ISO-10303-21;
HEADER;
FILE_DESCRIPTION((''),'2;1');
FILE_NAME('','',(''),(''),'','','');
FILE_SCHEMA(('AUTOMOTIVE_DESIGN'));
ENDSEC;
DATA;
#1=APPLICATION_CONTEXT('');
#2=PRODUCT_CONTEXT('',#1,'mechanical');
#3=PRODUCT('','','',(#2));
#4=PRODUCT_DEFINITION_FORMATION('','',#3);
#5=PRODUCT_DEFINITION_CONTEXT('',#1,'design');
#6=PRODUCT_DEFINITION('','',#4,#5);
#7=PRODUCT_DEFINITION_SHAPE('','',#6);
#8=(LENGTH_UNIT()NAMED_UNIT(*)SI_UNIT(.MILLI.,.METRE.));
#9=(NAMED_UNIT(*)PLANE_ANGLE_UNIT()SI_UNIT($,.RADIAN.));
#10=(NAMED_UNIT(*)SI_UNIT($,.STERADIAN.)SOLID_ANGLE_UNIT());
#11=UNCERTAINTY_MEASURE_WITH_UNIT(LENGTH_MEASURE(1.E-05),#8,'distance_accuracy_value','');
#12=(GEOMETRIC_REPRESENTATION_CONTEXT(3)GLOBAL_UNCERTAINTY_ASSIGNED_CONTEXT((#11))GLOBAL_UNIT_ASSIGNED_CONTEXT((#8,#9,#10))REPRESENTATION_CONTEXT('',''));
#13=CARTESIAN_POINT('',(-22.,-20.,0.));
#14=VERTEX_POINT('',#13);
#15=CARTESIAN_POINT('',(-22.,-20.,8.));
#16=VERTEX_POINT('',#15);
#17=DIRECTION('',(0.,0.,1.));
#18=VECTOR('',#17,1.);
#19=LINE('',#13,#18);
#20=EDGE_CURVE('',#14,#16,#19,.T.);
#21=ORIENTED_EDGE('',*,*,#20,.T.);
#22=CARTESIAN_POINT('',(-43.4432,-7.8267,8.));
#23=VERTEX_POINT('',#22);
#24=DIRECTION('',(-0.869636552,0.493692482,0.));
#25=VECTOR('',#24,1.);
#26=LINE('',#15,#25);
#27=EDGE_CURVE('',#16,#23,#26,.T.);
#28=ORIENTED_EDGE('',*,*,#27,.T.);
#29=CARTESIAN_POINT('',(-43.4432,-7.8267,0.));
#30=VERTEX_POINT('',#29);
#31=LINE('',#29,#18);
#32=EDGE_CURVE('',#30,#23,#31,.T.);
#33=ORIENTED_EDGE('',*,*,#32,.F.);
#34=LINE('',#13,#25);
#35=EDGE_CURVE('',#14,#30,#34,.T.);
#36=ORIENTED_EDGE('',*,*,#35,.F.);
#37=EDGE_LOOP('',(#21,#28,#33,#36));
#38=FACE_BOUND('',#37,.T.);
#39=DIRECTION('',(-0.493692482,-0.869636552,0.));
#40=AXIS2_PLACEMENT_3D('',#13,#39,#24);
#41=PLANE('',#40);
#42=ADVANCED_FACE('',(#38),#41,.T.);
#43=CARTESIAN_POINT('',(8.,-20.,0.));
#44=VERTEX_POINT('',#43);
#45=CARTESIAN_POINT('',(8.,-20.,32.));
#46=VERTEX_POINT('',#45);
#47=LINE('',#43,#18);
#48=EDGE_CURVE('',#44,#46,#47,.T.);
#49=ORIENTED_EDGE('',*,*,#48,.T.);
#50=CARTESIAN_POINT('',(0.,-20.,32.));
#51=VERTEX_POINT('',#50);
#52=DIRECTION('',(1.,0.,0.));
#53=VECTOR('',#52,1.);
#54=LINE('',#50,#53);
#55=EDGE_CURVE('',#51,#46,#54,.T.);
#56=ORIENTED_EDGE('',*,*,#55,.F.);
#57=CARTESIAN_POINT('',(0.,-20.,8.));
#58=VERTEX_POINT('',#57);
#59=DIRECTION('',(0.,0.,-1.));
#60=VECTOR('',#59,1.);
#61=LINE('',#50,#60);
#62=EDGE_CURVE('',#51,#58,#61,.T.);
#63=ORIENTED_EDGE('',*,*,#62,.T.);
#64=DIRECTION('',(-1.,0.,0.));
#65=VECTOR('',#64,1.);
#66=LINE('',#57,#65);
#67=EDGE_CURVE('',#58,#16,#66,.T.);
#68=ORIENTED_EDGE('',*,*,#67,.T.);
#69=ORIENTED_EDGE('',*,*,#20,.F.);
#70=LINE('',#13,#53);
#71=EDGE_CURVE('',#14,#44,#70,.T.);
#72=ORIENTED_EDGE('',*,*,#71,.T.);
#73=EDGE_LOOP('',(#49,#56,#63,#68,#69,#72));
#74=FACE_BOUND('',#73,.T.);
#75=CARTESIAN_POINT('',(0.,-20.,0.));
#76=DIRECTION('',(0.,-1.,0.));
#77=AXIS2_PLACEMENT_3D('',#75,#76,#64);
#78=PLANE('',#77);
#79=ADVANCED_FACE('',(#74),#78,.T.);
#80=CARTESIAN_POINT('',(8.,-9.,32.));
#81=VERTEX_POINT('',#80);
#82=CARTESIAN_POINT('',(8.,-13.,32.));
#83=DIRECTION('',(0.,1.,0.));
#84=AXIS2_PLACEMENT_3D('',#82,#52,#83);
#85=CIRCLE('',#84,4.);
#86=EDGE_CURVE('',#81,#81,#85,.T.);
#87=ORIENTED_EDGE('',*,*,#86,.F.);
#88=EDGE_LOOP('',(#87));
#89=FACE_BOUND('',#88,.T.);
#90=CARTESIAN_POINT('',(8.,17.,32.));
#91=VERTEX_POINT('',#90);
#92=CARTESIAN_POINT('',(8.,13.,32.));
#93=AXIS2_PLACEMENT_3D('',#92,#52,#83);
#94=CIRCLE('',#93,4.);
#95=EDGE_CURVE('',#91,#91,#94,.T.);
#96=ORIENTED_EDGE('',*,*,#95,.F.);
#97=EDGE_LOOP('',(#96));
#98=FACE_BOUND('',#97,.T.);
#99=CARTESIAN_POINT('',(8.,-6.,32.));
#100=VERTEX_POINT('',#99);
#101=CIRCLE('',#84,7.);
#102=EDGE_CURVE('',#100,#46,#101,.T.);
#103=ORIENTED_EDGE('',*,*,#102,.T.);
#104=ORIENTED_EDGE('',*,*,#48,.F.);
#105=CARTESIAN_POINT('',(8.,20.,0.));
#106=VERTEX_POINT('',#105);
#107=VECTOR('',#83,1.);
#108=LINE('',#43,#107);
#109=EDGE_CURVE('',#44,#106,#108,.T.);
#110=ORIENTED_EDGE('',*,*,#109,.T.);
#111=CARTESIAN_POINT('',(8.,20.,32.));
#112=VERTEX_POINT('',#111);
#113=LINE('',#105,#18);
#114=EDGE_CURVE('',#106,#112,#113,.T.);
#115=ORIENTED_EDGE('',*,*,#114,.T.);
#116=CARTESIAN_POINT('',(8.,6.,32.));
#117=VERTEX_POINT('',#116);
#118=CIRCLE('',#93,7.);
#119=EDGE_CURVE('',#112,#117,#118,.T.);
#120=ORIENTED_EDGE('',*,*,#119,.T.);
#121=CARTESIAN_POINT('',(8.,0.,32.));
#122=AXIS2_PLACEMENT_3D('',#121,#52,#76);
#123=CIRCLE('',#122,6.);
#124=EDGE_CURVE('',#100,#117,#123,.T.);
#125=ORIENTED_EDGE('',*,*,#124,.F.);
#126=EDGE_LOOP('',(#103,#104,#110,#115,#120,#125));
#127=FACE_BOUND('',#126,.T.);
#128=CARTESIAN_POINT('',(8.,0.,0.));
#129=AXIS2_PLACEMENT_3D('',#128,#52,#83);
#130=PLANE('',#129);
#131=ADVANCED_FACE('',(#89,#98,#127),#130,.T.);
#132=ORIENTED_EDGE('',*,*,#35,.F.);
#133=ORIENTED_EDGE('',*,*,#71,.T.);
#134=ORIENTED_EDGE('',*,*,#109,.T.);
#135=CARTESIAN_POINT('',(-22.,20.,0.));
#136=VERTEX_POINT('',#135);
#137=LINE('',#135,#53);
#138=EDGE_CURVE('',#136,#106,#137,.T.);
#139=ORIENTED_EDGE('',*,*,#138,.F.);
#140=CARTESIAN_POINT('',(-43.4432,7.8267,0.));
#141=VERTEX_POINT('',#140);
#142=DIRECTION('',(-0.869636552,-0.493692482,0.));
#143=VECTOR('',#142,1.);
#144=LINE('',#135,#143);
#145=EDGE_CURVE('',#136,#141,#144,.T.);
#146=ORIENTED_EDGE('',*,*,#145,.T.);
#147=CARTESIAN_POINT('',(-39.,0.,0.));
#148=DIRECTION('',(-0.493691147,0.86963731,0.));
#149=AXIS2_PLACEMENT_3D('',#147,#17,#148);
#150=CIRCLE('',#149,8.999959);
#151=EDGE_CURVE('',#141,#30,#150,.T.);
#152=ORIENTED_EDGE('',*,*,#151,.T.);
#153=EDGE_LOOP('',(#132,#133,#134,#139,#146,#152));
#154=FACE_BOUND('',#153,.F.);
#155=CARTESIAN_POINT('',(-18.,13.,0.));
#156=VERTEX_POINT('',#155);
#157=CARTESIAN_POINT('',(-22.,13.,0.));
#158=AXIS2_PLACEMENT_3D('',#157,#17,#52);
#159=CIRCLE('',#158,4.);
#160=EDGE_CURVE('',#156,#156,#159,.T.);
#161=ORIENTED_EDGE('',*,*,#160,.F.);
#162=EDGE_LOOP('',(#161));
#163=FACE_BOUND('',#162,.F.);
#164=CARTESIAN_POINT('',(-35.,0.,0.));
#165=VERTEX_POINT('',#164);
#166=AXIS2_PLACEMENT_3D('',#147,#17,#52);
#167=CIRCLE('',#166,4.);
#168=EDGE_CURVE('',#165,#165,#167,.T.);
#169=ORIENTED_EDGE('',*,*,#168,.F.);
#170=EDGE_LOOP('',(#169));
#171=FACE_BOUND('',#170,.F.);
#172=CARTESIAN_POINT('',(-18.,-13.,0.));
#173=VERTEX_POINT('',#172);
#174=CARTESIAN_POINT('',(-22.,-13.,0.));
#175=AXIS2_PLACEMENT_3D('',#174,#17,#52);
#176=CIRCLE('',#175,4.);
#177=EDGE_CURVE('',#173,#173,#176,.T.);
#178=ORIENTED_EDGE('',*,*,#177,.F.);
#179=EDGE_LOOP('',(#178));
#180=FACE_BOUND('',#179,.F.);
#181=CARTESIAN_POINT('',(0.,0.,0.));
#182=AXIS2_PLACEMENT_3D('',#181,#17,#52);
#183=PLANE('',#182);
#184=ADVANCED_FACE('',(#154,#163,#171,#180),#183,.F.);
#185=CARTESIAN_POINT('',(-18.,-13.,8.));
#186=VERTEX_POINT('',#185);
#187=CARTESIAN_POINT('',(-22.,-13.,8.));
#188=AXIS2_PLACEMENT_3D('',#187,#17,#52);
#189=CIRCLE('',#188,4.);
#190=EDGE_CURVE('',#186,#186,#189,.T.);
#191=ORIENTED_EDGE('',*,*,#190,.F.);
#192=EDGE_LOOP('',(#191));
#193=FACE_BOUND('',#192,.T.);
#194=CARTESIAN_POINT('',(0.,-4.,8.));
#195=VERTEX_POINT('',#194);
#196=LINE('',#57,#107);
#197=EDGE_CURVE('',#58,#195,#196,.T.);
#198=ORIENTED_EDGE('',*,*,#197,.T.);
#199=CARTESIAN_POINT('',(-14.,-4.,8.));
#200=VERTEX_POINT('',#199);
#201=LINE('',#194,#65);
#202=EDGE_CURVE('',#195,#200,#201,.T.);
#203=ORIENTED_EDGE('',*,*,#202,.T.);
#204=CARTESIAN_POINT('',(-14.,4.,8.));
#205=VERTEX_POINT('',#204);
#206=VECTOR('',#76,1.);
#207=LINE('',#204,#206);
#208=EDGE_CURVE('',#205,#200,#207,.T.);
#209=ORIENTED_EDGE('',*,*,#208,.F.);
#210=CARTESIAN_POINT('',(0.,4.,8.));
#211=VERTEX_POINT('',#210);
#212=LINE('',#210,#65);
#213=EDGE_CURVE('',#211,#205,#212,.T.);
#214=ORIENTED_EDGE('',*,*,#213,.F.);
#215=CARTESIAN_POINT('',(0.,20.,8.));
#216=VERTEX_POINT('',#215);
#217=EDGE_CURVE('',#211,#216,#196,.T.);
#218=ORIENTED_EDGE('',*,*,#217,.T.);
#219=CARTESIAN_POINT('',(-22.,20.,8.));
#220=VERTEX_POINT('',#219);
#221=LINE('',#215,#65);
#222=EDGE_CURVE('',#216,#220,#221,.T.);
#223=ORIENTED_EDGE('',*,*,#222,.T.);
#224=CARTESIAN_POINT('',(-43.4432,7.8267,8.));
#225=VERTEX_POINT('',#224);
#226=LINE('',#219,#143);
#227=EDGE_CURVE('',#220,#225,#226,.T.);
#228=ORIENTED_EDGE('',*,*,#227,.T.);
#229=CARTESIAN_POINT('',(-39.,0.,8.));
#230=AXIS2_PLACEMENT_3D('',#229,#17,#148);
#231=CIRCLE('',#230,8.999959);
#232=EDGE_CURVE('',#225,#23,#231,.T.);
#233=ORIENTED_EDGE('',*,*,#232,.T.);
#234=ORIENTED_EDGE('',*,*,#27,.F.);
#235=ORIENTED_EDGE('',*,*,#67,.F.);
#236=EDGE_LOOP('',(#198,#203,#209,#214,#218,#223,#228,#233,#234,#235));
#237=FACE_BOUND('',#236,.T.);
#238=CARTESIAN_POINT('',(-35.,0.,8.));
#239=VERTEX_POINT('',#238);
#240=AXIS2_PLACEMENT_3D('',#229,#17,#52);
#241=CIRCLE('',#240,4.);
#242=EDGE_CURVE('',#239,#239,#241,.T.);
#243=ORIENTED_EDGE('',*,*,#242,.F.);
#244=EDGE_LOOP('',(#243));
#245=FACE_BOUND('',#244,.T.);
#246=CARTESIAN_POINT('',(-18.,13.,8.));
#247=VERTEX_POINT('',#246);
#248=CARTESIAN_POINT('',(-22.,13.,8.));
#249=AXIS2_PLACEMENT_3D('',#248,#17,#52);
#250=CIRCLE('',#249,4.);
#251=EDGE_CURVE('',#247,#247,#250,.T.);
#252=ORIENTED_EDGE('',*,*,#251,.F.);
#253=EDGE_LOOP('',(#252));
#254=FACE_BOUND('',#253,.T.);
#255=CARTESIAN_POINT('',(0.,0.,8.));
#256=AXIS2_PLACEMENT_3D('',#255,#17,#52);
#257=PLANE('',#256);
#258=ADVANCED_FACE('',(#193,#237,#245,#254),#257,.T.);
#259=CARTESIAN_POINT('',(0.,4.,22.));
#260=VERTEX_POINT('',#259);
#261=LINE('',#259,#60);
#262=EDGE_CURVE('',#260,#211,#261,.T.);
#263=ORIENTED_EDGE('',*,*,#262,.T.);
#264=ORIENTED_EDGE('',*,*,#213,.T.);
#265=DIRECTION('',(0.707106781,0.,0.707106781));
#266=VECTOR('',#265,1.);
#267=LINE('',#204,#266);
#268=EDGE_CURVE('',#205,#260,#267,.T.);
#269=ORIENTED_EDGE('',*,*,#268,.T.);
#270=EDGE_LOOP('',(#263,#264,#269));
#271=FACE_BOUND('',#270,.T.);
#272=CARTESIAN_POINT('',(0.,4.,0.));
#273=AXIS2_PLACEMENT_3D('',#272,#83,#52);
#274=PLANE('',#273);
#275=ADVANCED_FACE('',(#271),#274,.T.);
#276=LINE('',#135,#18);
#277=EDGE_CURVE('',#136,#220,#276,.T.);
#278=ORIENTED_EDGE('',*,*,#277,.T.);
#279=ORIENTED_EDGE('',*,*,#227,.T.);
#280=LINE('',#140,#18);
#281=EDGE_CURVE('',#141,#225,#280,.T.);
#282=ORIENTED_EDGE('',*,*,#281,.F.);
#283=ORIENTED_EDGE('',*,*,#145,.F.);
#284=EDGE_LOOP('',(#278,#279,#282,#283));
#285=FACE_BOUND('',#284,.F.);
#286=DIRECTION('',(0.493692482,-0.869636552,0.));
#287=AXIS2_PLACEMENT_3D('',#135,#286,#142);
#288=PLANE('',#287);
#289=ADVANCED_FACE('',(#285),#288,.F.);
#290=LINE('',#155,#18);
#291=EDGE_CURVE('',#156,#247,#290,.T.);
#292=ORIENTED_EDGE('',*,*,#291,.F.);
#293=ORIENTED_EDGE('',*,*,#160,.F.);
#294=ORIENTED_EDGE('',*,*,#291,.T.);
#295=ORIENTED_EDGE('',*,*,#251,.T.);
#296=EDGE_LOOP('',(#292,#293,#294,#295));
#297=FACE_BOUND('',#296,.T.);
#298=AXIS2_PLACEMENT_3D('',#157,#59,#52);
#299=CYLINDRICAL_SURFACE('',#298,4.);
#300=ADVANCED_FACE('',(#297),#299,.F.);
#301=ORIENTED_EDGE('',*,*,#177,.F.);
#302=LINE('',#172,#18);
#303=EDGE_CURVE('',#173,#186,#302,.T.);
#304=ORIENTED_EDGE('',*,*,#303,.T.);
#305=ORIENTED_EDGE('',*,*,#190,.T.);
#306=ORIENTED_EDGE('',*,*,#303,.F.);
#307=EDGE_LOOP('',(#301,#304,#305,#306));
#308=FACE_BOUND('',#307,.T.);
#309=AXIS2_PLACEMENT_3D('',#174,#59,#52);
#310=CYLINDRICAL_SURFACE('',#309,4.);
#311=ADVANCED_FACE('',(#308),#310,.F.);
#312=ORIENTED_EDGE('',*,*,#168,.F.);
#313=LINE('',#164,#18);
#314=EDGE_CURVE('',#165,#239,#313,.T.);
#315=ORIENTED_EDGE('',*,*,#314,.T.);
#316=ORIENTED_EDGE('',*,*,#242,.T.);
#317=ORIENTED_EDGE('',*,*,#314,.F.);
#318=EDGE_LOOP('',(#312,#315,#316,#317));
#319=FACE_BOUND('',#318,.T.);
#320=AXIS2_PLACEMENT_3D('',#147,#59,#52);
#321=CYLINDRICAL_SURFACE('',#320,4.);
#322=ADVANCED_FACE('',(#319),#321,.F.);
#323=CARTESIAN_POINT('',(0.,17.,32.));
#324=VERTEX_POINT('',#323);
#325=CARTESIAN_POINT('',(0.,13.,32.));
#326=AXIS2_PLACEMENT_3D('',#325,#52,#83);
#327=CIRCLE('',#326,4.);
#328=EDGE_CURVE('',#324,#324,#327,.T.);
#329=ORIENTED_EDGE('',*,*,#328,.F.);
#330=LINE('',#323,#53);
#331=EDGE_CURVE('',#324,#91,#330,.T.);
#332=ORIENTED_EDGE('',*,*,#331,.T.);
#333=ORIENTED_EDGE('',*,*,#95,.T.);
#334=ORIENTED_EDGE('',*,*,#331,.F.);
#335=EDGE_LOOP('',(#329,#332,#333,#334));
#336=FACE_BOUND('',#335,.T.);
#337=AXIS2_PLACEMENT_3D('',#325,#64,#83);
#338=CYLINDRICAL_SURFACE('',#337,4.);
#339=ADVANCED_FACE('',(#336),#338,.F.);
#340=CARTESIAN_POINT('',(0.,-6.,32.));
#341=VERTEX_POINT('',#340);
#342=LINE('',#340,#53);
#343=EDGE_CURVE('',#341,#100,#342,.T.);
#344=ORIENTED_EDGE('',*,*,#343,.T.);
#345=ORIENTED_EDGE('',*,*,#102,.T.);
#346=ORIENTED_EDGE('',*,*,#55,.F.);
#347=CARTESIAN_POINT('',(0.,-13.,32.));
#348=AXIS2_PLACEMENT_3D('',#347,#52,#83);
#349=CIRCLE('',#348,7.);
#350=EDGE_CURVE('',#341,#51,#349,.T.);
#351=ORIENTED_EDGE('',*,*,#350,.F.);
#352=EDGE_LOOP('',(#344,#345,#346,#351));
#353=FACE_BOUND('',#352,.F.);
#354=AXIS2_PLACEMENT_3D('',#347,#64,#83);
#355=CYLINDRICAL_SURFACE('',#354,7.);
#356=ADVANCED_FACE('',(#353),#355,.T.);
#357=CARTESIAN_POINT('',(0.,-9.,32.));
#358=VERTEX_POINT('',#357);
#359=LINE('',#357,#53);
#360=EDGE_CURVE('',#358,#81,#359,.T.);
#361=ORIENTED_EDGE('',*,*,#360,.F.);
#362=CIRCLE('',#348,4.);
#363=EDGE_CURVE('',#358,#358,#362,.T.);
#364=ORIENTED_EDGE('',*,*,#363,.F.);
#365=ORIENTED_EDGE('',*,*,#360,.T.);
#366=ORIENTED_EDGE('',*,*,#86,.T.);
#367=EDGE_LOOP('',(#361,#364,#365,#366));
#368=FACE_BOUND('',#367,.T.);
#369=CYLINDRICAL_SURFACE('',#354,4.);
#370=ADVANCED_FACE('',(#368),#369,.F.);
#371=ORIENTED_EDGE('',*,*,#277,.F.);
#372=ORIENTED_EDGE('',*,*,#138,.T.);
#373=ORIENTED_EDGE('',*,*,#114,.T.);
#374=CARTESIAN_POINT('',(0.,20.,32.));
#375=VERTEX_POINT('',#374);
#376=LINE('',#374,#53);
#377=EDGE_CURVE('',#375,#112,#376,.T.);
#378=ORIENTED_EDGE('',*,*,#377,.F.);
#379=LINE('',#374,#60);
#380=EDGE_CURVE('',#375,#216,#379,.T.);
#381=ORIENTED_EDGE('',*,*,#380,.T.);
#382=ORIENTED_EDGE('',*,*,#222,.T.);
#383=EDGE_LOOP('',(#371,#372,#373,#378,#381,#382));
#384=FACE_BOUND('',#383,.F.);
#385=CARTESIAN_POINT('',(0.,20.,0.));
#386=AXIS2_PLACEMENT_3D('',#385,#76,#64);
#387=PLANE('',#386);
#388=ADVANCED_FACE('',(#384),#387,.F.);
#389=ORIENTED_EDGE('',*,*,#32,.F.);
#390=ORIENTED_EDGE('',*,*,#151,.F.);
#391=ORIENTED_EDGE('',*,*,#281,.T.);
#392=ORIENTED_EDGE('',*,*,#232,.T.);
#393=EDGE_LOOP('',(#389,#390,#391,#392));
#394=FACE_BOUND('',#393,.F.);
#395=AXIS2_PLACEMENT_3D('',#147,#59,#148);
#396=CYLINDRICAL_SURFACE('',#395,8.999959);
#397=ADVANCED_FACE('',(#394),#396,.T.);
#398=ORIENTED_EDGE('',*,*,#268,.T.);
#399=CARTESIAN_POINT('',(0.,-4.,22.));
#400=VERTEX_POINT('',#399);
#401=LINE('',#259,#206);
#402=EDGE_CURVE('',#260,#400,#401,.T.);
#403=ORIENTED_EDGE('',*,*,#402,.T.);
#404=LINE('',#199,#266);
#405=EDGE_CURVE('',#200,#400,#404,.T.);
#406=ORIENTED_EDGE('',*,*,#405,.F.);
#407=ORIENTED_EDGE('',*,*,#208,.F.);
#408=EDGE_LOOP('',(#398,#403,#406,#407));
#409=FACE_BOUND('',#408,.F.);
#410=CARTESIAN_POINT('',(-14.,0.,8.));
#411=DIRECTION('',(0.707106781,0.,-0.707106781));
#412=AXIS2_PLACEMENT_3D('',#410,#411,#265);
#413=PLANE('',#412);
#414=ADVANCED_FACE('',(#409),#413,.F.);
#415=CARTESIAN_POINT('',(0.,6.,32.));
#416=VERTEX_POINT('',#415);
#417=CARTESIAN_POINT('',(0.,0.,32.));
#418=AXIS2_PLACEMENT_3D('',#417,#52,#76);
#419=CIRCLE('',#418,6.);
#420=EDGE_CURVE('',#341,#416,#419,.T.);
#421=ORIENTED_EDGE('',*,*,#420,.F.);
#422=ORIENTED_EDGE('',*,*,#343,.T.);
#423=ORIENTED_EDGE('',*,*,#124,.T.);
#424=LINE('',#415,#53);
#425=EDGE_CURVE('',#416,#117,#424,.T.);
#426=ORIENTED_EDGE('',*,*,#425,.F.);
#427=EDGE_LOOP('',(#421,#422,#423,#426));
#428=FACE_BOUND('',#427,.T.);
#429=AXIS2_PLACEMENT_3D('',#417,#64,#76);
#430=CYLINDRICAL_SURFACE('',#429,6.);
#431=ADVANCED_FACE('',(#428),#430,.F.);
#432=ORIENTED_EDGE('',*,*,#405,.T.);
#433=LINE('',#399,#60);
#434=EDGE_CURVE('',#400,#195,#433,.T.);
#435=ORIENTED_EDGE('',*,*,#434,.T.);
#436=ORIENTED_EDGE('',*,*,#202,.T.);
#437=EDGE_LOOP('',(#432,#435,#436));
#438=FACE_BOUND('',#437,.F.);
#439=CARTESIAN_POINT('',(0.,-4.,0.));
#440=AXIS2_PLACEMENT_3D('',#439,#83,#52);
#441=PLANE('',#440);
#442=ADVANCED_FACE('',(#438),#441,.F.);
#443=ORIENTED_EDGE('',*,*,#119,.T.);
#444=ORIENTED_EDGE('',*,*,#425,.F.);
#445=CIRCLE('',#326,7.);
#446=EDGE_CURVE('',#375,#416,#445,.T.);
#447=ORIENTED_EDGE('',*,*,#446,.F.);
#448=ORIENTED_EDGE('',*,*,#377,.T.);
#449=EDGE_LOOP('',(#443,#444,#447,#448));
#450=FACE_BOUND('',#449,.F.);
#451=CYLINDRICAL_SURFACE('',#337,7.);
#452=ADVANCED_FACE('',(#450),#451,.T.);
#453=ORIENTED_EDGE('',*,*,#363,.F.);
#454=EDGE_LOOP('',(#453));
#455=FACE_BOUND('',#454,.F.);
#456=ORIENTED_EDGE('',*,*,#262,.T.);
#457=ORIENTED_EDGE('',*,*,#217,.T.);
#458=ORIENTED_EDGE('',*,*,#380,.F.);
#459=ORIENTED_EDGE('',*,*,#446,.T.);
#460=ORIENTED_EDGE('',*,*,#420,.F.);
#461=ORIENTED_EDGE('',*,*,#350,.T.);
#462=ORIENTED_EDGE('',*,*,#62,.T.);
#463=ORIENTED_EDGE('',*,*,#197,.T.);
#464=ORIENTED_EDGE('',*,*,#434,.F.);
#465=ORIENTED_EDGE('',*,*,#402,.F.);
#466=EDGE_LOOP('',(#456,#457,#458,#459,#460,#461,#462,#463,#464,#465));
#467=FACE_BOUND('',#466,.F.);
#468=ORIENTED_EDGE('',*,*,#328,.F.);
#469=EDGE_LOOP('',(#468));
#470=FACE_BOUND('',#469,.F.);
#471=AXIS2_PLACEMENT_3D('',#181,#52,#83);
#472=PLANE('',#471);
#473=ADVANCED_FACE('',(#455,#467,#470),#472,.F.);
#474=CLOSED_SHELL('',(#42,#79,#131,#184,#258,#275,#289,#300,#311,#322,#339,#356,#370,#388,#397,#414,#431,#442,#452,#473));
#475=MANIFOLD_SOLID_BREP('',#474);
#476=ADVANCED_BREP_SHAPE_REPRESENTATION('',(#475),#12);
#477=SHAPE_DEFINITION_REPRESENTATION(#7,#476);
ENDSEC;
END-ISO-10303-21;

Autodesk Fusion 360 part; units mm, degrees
sketch "草图1" plane through (0, 0, 0) normal (0, 0, 1) x (1, 0, 0)
  line L0 (0, -40) -> (0, 55) construction
  line L1 (-75, 0) -> (190, 0) construction
  line L2 (0, -35) -> (0, -32.2208) construction
  line L3 (0, -20) -> (0, 20)
  line L4 (0, 20) -> (-22, 20)
  line L5 (-22, 20) -> (-43.4432, 7.8267)
  line L6 (0, -20) -> (-22, -20)
  line L7 (-22, -20) -> (-43.4432, -7.8267)
  arc A0 (-43.4432, 7.8267) -> (-43.4432, -7.8267) centre (-39, 0) ccw
  circle A1 centre (-39, 0) radius 4
  circle A2 centre (-22, 13) radius 4
  circle A3 centre (-22, -13) radius 4
  dimension "d1" = 40
  dimension "d2" = 22
  dimension "d3" = 39
  dimension "d4" = 9
  dimension "d5" = 8
  dimension "d6" = 26
  dimension "d7" = 22
extrude "拉伸1" add sketch "草图1" along normal blind 8
sketch "草图2" plane through (0, 0, 0) normal (1, 0, 0) x (0, 1, 0)
  line L0 (-20, 0) -> (20, 0)
  line L1 (20, 0) -> (20, 8)
  line L2 (20, 8) -> (-20, 8)
  line L3 (-20, 8) -> (-20, 0)
  line L4 (0, 39) -> (0, -13) construction
  line L5 (-35, 0) -> (42, 0) construction
  line L6 (-20, 0) -> (-20, 32)
  line L7 (20, 0) -> (20, 32)
  circle A0 centre (-13, 32) radius 4
  circle A1 centre (13, 32) radius 4
  arc A2 (-6, 32) -> (-20, 32) centre (-13, 32) ccw
  arc A3 (-6, 32) -> (6, 32) centre (0, 32) ccw
  arc A4 (20, 32) -> (6, 32) centre (13, 32) ccw
  dimension "d10" = 8
  dimension "d11" = 26
  dimension "d12" = 32
extrude "拉伸2" add sketch "草图2" along normal blind 8
sketch "草图3" plane through (0, 0, 0) normal (0, 1, 0) x (1, 0, 0)
  line L0 (0, -8) -> (-14, -8)
  line L1 (-14, -8) -> (0, -22)
  line L2 (0, -22) -> (0, -8)
  dimension "d15" = 14
  dimension "d16" = 14
extrude "拉伸3" add sketch "草图3" along normal mid plane 8
equation "d3 = 17 mm + 22 mm"
